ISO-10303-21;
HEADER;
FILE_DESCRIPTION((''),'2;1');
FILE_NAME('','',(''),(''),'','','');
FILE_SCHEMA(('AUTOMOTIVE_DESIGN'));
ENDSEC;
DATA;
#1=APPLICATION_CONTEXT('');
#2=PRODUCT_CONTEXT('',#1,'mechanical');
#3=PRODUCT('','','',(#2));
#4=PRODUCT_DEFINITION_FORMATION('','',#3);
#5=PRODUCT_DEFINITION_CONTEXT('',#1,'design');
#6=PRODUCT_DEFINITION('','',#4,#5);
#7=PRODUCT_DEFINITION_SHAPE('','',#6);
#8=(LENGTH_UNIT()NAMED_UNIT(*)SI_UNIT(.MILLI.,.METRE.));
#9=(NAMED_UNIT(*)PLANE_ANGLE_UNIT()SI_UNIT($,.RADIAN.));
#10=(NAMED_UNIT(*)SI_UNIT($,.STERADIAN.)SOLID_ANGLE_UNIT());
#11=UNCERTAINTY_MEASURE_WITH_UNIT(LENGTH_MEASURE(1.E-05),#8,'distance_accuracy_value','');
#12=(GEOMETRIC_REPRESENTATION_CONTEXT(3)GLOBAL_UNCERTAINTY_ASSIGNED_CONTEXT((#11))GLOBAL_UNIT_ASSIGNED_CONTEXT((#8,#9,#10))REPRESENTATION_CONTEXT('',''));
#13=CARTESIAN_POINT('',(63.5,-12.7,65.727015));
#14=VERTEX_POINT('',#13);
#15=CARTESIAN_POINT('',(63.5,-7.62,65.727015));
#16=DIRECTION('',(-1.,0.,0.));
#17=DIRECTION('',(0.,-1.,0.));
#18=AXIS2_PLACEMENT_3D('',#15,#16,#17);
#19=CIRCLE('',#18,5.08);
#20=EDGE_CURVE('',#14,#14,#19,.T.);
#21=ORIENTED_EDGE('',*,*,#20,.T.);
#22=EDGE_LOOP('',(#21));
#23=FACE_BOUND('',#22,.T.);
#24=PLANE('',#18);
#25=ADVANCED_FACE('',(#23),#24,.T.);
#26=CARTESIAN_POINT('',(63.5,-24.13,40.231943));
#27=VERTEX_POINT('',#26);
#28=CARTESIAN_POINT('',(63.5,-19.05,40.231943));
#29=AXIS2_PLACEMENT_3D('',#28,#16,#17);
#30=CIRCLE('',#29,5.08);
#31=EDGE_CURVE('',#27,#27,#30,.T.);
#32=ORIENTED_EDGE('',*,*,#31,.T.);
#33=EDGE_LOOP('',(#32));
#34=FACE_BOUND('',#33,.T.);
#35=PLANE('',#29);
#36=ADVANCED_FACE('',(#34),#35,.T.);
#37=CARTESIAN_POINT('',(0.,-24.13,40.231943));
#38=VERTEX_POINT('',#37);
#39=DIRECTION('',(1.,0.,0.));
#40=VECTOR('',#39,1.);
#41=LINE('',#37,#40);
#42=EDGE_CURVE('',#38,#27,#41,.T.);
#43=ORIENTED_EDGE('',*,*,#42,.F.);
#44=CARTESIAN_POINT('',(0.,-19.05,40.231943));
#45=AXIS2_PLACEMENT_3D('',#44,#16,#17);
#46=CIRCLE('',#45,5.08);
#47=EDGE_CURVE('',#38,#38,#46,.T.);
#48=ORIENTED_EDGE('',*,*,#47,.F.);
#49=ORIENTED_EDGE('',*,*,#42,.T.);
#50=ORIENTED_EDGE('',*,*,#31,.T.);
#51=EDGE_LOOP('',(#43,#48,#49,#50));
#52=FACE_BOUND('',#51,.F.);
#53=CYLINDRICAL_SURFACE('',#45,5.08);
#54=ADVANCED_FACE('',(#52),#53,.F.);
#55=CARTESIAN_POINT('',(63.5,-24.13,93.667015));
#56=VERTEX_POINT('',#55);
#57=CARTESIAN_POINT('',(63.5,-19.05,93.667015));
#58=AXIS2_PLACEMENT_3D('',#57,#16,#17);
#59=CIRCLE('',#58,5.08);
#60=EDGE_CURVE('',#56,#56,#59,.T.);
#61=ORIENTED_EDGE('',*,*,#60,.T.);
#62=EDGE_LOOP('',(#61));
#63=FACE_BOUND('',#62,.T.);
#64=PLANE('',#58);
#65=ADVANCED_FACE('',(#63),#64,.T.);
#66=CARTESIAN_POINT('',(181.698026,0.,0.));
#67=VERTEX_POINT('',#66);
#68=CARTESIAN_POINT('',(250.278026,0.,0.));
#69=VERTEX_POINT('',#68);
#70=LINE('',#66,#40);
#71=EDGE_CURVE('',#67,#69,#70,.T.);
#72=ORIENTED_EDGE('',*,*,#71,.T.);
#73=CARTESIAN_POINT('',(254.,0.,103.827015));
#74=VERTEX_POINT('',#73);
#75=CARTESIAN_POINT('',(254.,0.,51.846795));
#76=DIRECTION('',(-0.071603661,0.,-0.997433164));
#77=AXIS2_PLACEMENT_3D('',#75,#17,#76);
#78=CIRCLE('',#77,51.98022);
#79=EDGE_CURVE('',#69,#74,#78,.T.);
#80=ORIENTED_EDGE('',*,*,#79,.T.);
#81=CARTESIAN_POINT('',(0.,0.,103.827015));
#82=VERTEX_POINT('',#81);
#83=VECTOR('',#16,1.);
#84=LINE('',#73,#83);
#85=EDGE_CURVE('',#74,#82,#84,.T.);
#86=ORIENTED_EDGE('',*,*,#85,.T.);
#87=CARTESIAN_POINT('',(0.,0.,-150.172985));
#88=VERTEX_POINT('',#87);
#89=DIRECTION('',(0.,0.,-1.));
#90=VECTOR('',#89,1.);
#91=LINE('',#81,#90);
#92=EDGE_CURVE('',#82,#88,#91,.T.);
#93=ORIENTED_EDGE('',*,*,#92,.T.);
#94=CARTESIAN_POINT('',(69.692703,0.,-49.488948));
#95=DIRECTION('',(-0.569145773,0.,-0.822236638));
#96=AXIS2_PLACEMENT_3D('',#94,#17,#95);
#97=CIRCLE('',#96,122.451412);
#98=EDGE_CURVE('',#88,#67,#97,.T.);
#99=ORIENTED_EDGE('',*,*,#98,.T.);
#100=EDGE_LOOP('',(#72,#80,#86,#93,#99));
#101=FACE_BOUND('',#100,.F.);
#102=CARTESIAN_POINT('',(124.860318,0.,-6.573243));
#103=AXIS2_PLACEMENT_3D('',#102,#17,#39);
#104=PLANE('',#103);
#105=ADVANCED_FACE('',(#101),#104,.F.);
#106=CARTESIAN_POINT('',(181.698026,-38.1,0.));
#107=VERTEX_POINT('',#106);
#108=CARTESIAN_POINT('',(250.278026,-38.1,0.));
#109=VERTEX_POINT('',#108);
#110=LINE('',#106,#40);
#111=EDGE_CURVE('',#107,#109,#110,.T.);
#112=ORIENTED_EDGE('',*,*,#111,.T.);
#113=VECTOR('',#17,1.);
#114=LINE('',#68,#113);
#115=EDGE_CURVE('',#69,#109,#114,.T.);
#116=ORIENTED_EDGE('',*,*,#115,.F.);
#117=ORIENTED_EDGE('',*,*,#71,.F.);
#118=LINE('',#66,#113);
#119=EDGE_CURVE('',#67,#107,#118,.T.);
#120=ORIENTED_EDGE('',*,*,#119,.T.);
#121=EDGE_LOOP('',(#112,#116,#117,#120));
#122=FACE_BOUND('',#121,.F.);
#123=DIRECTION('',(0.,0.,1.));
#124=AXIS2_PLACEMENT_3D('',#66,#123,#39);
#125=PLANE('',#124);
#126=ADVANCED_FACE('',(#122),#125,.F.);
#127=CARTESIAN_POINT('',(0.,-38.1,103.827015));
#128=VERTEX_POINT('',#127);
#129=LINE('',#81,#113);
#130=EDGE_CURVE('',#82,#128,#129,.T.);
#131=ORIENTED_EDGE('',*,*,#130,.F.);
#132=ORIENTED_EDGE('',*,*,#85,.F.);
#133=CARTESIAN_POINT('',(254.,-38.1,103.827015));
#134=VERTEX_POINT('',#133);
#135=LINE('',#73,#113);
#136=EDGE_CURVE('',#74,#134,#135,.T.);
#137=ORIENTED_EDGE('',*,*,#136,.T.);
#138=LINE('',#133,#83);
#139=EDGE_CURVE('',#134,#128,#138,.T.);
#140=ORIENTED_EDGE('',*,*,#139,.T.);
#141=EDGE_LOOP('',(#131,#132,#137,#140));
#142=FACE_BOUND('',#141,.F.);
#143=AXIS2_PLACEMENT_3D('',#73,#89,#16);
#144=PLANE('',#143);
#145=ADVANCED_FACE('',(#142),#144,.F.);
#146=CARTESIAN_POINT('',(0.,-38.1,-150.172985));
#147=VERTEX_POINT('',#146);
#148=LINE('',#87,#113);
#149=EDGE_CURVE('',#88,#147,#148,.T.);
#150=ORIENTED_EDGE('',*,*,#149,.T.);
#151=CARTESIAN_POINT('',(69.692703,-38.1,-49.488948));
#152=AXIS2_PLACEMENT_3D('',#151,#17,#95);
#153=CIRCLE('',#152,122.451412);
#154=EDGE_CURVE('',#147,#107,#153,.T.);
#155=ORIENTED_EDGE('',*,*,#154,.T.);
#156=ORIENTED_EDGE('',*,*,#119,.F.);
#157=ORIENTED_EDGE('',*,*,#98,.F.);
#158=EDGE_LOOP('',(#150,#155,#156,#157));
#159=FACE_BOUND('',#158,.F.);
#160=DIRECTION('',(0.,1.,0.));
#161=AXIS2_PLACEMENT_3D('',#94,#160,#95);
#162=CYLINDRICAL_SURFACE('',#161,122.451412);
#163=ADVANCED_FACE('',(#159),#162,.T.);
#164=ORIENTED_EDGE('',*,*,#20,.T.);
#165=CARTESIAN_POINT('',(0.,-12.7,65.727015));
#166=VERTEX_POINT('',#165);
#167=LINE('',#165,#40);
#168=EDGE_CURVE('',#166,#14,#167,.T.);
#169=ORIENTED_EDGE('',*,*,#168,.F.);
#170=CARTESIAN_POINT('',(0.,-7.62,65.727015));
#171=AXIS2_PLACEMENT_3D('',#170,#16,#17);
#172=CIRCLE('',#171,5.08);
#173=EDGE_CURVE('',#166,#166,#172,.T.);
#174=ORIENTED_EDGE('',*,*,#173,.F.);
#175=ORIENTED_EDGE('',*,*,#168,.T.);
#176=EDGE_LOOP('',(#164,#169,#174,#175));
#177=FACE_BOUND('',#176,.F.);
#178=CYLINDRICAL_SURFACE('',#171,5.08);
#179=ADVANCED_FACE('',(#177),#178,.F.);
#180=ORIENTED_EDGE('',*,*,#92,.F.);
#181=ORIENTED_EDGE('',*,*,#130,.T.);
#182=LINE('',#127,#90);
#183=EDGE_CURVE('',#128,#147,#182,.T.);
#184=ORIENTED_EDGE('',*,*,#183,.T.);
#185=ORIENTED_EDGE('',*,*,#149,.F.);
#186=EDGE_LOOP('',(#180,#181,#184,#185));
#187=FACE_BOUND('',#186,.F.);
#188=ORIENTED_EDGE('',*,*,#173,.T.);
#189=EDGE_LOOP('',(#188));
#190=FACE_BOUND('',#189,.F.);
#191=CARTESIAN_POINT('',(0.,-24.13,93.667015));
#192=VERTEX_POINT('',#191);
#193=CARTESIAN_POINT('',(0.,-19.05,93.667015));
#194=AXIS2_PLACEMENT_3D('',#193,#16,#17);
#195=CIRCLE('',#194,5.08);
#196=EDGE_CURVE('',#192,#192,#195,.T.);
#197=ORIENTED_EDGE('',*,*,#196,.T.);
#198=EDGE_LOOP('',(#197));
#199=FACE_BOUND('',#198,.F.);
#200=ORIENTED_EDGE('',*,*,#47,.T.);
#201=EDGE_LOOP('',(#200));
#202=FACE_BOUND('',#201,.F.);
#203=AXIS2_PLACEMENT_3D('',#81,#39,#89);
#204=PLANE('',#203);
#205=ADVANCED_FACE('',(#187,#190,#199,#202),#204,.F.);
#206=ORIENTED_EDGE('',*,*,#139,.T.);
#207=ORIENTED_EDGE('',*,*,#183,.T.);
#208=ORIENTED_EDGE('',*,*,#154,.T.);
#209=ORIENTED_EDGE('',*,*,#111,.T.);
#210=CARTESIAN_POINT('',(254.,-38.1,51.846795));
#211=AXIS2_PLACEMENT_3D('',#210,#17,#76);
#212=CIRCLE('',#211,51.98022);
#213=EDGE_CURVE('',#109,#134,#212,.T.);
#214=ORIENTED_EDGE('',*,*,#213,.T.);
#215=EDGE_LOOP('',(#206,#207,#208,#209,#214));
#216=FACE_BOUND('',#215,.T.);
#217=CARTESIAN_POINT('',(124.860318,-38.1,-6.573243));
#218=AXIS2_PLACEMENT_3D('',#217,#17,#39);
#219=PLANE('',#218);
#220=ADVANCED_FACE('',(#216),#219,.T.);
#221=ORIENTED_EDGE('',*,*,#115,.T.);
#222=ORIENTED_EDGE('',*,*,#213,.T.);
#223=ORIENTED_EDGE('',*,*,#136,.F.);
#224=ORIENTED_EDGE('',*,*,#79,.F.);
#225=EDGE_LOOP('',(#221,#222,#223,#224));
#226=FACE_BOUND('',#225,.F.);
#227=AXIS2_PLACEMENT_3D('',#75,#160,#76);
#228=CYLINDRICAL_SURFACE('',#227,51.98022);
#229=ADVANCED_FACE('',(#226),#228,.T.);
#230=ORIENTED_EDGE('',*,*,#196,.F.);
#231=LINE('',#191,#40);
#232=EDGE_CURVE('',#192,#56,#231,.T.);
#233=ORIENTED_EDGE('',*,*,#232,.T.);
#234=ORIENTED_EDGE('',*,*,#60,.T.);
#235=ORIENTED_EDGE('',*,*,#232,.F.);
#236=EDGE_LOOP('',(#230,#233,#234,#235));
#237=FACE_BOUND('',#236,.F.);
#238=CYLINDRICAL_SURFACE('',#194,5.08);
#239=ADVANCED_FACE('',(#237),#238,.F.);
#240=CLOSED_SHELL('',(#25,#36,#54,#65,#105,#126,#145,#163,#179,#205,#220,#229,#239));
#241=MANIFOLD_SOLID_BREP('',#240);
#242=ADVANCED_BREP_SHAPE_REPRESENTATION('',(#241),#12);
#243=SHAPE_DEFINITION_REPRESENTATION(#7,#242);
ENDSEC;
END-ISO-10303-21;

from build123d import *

# Parameters (mm, degrees)
F1_DEPTH = 38.1
F3_R     = 5.08
F4_DEPTH = 63.5


with BuildPart() as f1:
    # F0 (on Front) → F1 (new body)
    with BuildSketch(Plane.XZ):
        with BuildLine():
            Line((0, 103.827015), (0, -150.172985))
            ThreePointArc((0, -150.172985), (147.702772, -143.875268), (181.698026, 0))
            Line((181.698026, 0), (250.278026, 0))
            ThreePointArc((250.278026, 0), (305.946853, 49.984613), (254, 103.827015))
            Line((254, 103.827015), (0, 103.827015))
        make_face()
    extrude(amount=F1_DEPTH)

    # F3 (on face) → F4 (cut)
    with BuildSketch(Plane(origin=(0, 0, 0), x_dir=(0, -1, 0), z_dir=(-1, 0, 0))):
        with Locations((19.05, 93.667015)):
            Circle(F3_R)
        with Locations((7.62, 65.727015)):
            Circle(F3_R)
        with Locations((19.05, 40.231943)):
            Circle(F3_R)
    extrude(amount=-F4_DEPTH, mode=Mode.SUBTRACT)


solid = f1.part
